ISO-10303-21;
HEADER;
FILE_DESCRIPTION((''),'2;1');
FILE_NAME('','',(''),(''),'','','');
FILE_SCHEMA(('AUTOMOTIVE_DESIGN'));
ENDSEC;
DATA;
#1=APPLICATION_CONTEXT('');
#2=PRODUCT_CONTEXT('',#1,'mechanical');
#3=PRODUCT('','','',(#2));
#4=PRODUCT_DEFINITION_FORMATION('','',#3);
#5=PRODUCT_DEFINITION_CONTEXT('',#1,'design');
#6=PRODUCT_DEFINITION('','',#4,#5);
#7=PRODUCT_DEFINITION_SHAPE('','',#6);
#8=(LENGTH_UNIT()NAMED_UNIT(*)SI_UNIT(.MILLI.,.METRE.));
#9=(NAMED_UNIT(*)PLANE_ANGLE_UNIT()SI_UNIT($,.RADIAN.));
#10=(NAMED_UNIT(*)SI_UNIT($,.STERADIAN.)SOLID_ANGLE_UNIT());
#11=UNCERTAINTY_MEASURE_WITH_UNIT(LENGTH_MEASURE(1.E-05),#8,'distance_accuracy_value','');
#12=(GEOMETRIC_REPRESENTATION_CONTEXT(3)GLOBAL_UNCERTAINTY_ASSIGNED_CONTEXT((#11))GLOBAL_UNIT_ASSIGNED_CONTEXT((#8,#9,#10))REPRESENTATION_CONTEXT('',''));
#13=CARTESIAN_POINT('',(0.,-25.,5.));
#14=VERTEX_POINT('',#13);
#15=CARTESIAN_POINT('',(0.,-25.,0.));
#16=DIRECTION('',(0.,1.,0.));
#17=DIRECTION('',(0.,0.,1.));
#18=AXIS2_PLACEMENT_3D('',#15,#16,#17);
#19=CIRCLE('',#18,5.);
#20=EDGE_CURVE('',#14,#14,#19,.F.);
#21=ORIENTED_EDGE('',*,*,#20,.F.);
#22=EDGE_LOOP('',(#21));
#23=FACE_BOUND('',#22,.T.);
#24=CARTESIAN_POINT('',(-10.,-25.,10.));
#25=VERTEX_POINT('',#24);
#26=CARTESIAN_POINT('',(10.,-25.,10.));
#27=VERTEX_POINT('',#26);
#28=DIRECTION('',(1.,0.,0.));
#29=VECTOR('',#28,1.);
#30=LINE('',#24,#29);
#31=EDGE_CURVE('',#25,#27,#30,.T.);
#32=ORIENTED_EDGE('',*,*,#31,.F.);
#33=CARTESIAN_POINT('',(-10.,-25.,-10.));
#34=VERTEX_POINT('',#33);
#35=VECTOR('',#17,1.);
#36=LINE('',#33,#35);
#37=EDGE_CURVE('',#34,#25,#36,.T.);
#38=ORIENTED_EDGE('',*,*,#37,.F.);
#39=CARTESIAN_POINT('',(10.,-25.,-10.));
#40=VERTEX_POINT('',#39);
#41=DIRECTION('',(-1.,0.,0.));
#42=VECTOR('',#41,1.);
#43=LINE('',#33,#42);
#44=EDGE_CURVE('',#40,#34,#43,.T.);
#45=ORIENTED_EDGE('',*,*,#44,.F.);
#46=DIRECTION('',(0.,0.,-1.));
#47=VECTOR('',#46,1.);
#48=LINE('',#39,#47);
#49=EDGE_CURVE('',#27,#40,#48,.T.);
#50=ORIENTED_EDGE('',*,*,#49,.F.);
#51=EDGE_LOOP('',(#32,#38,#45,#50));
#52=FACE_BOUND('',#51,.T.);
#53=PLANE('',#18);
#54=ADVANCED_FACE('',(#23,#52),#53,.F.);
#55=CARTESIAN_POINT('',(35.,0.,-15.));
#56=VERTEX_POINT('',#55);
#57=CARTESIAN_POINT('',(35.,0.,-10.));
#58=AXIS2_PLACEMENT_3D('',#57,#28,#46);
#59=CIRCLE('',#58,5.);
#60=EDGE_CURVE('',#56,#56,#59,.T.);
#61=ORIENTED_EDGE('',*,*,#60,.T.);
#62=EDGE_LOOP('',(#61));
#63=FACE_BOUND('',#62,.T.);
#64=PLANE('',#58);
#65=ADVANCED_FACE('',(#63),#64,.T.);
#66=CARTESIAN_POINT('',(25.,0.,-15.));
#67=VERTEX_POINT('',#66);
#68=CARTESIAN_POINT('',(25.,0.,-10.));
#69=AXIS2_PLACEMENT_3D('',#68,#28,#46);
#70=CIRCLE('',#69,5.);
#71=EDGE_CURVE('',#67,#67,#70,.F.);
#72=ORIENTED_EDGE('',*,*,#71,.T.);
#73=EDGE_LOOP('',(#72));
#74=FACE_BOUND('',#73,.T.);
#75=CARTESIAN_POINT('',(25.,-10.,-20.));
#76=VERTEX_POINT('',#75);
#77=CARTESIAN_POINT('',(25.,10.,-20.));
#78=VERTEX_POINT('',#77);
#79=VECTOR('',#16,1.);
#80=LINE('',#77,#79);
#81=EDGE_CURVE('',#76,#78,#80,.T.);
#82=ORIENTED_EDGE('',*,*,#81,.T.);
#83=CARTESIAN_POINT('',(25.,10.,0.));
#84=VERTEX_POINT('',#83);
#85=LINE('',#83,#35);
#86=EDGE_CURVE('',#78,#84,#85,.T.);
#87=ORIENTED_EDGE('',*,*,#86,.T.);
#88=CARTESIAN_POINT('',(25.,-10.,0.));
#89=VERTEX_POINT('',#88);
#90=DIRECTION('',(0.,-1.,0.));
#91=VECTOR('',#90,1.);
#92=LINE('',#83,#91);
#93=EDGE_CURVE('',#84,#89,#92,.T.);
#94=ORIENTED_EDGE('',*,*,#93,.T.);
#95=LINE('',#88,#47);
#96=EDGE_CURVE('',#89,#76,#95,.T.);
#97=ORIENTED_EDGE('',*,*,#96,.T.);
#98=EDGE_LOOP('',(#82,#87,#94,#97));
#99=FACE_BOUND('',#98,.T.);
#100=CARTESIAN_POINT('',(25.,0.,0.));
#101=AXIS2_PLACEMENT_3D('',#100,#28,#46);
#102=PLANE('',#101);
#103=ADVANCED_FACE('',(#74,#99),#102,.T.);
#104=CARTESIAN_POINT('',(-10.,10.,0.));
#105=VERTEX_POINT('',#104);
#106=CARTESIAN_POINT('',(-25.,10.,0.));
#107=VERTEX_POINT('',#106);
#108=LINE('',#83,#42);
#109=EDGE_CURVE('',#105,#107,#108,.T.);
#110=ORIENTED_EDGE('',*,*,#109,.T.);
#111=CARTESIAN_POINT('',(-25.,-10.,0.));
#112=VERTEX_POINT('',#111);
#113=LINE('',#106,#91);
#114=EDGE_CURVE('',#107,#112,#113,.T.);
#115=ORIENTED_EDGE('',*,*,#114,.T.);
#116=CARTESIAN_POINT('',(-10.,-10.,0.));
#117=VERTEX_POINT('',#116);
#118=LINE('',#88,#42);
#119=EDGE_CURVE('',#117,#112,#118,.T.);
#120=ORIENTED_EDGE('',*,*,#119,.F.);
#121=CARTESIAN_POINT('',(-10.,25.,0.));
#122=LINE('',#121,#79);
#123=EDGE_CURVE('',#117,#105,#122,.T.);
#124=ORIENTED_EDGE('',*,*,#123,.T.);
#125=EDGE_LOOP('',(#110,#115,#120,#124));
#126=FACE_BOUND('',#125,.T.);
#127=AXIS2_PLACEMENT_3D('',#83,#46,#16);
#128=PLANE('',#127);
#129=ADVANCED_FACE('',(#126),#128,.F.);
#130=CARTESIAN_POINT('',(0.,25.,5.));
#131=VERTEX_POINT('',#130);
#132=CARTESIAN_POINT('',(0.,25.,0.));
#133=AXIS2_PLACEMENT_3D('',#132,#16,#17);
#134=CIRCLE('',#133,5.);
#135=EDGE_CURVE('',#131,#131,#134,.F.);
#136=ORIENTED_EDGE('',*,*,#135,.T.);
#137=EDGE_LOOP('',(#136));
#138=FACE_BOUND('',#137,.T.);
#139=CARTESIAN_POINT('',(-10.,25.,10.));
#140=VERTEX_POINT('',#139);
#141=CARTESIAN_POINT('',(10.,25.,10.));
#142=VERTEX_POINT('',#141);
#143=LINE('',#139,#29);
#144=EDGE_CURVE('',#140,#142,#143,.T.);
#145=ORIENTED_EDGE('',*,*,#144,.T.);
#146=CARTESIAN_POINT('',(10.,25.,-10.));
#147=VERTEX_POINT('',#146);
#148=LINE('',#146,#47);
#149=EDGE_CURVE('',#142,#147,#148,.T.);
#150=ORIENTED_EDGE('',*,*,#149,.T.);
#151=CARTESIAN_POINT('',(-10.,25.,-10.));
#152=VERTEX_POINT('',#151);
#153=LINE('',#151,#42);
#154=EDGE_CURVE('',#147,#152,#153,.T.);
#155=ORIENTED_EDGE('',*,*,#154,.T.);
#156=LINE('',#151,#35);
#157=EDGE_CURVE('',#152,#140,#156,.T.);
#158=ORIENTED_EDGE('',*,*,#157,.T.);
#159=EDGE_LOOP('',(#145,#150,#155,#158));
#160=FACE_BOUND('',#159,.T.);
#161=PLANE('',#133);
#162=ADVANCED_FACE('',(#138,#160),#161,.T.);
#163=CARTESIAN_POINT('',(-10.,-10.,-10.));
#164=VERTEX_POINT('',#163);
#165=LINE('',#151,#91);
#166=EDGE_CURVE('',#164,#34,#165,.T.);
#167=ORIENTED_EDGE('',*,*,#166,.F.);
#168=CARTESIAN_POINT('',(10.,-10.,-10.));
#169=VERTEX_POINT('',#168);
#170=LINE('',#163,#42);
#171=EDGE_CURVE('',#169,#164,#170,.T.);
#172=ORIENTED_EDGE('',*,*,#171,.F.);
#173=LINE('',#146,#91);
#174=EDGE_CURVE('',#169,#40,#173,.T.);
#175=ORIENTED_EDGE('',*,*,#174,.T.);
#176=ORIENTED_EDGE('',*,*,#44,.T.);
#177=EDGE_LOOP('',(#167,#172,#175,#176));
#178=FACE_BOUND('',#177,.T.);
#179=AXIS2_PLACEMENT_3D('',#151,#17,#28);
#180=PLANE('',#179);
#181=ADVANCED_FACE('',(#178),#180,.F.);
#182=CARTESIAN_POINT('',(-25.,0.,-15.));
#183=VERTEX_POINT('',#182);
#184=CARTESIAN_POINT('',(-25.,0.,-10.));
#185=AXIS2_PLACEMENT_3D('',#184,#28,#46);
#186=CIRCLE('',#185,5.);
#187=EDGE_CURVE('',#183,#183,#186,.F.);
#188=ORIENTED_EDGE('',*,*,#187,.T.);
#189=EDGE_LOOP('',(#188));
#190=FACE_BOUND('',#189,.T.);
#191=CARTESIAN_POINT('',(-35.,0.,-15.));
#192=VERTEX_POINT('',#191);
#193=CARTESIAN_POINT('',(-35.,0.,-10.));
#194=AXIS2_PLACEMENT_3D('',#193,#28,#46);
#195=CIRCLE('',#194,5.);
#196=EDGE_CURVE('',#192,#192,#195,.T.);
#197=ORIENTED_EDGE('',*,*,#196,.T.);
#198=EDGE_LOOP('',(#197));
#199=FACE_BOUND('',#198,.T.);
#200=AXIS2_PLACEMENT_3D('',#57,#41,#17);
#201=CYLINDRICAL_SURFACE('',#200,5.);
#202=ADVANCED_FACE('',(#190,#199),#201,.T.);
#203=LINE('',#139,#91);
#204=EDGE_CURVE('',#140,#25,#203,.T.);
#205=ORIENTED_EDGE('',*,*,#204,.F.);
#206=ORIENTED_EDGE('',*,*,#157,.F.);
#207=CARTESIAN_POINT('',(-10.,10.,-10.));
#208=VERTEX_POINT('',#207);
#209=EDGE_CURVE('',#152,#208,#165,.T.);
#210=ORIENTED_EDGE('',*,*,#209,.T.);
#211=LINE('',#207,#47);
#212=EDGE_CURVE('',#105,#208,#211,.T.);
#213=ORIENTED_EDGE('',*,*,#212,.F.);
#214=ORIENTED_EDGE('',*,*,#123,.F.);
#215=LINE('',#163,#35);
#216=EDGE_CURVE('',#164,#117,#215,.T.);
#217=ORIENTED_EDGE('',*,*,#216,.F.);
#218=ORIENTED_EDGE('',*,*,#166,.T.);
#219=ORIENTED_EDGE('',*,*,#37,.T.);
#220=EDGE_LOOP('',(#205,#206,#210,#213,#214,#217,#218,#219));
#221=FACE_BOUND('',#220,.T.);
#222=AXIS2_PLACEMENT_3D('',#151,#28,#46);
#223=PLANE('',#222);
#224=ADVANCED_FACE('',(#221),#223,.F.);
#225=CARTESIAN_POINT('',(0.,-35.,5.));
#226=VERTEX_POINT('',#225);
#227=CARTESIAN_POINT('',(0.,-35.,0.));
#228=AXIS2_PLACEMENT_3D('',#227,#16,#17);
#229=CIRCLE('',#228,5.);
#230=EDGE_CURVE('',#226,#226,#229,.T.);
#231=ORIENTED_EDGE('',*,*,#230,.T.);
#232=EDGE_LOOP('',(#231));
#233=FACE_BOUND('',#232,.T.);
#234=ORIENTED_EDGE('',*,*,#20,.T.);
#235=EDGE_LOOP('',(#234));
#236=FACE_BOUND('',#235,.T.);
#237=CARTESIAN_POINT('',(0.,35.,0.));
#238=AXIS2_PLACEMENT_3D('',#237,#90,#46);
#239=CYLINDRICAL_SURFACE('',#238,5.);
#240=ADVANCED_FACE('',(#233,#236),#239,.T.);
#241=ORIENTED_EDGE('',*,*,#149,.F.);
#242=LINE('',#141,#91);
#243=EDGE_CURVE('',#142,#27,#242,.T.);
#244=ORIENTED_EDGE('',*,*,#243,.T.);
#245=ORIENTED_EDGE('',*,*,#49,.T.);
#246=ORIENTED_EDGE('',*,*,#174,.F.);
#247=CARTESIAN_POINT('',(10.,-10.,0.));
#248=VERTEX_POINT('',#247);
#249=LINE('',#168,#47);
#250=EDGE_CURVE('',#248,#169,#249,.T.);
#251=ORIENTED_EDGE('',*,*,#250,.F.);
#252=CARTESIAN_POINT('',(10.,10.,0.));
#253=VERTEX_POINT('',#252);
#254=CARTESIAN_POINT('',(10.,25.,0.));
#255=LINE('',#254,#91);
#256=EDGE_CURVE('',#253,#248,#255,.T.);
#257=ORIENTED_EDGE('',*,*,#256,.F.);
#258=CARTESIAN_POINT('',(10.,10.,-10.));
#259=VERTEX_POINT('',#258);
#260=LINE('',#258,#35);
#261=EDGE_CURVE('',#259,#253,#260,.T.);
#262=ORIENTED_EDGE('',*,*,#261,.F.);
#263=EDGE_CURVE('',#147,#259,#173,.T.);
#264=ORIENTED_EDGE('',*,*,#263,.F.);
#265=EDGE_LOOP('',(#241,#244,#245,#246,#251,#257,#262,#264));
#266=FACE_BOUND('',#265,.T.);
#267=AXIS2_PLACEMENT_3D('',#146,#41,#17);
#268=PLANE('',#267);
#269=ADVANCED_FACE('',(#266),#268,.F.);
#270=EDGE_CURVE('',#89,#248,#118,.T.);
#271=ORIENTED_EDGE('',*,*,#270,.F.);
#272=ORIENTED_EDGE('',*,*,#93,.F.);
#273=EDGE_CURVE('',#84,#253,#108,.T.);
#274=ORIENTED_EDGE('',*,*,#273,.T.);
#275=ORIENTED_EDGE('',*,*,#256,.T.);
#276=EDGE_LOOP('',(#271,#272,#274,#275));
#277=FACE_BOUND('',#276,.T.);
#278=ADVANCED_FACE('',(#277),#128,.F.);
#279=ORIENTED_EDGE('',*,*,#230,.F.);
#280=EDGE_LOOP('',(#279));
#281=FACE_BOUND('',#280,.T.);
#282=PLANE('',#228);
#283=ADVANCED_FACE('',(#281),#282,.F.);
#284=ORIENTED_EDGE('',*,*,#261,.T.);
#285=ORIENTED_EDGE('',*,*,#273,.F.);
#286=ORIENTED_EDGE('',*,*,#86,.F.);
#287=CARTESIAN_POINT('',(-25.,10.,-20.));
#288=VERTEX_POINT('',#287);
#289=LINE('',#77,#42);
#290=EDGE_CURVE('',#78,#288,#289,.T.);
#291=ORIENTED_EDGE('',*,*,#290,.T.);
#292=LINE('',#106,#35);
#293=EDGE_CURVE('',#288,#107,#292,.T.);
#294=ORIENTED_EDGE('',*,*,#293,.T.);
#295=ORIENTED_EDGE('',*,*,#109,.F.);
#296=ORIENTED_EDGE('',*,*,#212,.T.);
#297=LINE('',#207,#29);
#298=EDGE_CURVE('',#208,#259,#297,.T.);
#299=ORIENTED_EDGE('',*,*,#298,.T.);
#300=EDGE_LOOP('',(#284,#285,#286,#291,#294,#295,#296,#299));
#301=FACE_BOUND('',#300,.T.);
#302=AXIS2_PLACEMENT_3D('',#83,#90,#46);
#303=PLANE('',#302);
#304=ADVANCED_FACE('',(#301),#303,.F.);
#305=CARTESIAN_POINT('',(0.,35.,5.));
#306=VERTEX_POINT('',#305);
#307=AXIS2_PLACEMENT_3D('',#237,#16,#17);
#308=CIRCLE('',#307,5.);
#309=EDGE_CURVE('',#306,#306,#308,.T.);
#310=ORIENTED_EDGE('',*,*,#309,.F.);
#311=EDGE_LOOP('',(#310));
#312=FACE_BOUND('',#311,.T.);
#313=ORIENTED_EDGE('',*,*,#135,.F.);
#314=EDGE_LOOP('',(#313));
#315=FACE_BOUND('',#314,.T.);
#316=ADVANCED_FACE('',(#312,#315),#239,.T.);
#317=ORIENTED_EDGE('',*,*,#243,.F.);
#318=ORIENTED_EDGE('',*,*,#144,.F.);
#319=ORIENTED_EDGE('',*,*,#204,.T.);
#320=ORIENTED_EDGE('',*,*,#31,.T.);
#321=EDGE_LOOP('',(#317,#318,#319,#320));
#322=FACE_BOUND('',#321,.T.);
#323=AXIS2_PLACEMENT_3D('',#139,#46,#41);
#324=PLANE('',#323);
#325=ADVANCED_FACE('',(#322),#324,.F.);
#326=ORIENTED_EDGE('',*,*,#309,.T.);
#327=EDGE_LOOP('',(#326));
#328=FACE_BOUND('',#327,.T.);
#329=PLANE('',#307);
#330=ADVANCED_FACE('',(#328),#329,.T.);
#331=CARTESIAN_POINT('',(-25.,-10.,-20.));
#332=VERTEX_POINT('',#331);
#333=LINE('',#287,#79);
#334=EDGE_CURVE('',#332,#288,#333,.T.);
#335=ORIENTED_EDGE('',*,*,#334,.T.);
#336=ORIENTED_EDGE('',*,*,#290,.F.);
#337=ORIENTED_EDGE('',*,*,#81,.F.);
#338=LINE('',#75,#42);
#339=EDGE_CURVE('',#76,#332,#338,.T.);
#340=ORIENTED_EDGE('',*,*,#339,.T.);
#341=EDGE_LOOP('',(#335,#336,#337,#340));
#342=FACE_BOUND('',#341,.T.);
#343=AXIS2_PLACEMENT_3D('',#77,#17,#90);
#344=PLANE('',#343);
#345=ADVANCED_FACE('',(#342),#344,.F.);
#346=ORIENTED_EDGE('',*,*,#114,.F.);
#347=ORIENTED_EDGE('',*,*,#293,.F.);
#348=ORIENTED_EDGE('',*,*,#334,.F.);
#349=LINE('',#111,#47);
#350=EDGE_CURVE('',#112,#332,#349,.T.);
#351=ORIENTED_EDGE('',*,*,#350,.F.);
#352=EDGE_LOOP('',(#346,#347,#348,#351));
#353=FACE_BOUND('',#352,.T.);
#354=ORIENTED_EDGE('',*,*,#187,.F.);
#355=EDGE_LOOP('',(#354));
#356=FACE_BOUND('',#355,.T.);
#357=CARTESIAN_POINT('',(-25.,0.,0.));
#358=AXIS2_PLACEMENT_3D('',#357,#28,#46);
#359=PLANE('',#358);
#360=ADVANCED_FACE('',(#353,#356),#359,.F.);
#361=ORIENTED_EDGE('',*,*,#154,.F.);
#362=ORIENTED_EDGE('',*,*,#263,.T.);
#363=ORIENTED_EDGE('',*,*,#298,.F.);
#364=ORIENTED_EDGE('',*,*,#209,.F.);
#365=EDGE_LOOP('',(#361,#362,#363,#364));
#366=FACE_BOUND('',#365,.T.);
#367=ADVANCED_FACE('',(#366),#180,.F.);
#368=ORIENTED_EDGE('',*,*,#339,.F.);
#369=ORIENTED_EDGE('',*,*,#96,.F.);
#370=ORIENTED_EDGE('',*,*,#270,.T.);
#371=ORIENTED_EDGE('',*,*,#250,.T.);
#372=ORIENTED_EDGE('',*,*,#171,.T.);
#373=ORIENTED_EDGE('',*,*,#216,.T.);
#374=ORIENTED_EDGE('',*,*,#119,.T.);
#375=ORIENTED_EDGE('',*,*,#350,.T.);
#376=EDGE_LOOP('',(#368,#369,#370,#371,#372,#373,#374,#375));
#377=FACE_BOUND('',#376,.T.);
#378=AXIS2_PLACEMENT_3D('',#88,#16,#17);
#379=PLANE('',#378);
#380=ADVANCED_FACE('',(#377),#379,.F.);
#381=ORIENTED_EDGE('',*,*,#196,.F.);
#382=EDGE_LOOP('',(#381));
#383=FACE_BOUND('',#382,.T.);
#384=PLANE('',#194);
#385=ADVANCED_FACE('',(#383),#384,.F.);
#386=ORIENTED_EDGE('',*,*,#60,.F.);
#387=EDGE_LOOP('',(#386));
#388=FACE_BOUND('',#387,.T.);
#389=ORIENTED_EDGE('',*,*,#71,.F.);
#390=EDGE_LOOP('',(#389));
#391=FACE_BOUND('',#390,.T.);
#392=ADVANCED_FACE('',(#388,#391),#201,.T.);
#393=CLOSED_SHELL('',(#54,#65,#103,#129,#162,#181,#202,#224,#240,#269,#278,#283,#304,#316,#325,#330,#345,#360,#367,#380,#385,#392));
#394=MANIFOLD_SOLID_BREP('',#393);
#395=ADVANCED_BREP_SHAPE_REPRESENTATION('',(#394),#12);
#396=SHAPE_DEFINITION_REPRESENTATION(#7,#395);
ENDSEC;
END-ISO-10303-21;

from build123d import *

# Parameters (mm, degrees)
SKETCH1_W           = 20
SKETCH1_H           = 20
BOSS_EXTRUDE1_DEPTH = 25
SKETCH2_W           = 20
SKETCH2_H           = 20
BOSS_EXTRUDE2_DEPTH = 25
SKETCH3_R           = 5
BOSS_EXTRUDE3_DEPTH = 35
SKETCH5_R           = 5
BOSS_EXTRUDE4_DEPTH = 35


with BuildPart() as part:
    # Sketch1 → Boss-Extrude1 (new, symmetric)
    with BuildSketch(Plane(origin=(0, 0, 0), x_dir=(1, 0, 0), z_dir=(0, 1, 0))):
        Rectangle(SKETCH1_W, SKETCH1_H)
    extrude(amount=BOSS_EXTRUDE1_DEPTH, both=True)

    # Sketch2 → Boss-Extrude2 (add, symmetric)
    with BuildSketch(Plane(origin=(0, 0, 0), x_dir=(0, 0, -1), z_dir=(1, 0, 0))):
        with Locations((10, 0)):
            Rectangle(SKETCH2_W, SKETCH2_H)
    extrude(amount=BOSS_EXTRUDE2_DEPTH, both=True)

    # Sketch3 → Boss-Extrude3 (add, symmetric)
    with BuildSketch(Plane(origin=(0, 0, 0), x_dir=(1, 0, 0), z_dir=(0, 1, 0))):
        with Locations(Location((0, 0, 0), (0, 0, 270))):
            Circle(SKETCH3_R)
    extrude(amount=BOSS_EXTRUDE3_DEPTH, both=True)

    # Sketch5 → Boss-Extrude4 (add, symmetric)
    with BuildSketch(Plane(origin=(0, 0, 0), x_dir=(0, 0, -1), z_dir=(1, 0, 0))):
        with Locations((10, 0)):
            Circle(SKETCH5_R)
    extrude(amount=BOSS_EXTRUDE4_DEPTH, both=True)


solid = part.part
